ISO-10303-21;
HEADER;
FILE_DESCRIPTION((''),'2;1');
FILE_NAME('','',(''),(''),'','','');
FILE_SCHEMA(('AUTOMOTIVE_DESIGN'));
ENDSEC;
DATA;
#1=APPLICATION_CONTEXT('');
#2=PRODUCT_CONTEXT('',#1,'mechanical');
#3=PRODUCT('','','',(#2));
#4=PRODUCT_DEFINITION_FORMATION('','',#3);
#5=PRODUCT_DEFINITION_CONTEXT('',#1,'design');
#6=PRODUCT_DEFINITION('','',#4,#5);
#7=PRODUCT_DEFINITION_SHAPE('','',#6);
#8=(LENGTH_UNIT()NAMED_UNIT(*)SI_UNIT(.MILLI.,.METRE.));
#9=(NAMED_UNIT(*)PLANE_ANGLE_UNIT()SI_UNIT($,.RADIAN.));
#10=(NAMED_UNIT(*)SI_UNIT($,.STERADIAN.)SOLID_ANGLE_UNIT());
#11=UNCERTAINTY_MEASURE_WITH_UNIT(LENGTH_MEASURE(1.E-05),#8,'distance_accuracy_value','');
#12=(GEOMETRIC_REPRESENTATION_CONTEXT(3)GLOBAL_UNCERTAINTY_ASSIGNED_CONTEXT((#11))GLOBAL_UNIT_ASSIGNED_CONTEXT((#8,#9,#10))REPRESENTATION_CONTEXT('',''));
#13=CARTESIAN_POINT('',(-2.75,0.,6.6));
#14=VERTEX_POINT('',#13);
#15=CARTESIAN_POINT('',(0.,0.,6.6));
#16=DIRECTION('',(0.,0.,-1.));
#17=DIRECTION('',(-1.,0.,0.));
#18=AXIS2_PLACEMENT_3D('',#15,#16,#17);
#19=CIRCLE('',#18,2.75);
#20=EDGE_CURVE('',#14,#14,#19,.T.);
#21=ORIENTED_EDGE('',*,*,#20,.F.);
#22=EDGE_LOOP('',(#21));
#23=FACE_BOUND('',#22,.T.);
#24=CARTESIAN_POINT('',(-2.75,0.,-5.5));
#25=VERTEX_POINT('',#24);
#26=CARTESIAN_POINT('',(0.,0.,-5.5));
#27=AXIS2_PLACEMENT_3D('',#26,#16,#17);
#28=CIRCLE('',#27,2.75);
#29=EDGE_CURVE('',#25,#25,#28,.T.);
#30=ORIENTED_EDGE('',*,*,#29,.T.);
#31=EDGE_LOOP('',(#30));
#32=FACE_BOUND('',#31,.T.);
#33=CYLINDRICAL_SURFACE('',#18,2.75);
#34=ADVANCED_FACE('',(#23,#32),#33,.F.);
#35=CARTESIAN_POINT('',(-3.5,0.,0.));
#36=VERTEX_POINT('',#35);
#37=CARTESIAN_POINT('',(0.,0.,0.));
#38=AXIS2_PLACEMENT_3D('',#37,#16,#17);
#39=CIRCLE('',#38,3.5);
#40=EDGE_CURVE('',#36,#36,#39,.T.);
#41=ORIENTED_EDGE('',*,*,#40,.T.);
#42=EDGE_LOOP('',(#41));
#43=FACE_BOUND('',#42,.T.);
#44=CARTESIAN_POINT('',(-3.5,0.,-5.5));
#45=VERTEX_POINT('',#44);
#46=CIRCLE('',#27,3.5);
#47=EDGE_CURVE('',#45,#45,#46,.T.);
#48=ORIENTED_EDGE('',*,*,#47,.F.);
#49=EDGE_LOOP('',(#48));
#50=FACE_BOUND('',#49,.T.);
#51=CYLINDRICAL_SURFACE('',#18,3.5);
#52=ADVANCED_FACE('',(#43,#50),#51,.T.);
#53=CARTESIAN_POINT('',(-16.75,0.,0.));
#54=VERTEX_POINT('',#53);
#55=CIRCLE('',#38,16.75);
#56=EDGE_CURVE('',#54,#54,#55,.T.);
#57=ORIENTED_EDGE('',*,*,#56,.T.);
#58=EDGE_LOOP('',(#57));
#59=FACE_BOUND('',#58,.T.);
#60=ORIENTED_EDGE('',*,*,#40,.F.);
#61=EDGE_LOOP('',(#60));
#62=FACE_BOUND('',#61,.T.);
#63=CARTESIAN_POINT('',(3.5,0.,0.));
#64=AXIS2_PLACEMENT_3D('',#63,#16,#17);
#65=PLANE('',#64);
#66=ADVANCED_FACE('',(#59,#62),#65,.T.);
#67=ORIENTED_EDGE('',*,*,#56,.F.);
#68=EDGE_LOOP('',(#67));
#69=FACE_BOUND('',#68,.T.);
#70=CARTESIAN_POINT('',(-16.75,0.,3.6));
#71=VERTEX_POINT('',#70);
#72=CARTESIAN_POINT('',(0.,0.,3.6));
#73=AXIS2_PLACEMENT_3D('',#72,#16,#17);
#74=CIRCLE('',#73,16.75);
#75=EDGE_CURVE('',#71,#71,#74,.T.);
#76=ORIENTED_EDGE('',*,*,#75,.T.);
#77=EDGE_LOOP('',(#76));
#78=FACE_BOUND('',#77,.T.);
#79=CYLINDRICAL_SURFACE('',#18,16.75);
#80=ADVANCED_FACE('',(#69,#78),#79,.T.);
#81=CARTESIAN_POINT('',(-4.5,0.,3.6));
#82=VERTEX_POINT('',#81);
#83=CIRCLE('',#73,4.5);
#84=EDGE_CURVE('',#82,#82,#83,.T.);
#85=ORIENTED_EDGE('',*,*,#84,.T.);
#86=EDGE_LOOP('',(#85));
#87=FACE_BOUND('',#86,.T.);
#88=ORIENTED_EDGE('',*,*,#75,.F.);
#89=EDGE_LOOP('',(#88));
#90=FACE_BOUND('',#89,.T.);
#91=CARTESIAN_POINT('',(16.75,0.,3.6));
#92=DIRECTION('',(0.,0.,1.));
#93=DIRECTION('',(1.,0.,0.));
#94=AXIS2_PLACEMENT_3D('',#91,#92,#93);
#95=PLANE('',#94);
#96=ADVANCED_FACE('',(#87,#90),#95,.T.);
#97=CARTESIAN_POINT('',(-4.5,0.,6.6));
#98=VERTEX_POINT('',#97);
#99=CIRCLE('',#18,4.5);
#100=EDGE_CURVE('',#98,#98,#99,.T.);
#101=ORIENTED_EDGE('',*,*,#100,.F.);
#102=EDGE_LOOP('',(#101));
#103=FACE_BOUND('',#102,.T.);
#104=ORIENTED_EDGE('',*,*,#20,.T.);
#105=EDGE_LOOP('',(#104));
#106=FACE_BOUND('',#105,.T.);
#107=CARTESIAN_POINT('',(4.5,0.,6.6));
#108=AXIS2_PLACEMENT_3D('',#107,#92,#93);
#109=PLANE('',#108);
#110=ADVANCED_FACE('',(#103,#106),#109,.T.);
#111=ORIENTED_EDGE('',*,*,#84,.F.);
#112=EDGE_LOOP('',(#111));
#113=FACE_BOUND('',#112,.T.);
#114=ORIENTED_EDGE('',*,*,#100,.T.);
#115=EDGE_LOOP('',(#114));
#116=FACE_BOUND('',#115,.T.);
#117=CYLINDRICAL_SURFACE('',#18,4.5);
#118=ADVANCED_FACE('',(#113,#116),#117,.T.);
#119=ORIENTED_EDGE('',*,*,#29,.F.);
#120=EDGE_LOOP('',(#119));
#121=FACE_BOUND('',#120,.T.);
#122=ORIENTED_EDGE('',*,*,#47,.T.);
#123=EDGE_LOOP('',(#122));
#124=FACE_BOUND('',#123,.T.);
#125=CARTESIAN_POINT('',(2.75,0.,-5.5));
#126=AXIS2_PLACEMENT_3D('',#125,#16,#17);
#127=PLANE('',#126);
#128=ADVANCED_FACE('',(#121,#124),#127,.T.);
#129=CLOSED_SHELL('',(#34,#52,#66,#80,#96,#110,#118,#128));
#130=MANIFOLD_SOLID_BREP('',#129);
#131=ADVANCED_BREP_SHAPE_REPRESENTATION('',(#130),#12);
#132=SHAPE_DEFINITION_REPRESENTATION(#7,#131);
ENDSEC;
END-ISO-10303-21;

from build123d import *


with BuildPart() as part:
    # Эскиз1 → Повернуть1 (revolve)
    with BuildSketch(Plane.XZ, mode=Mode.PRIVATE) as revolve_1_sk:
        Polygon((4.5, 6.6), (2.75, 6.6), (2.75, -5.5), (3.5, -5.5), (3.5, 0), (16.75, 0), (16.75, 3.6), (4.5, 3.6), align=None)
    revolve(revolve_1_sk.sketch.rotate(Axis((0, 0, 6.6), (0, 0, -1)), 180), axis=Axis((0, 0, 6.6), (0, 0, -1)))


solid = part.part
